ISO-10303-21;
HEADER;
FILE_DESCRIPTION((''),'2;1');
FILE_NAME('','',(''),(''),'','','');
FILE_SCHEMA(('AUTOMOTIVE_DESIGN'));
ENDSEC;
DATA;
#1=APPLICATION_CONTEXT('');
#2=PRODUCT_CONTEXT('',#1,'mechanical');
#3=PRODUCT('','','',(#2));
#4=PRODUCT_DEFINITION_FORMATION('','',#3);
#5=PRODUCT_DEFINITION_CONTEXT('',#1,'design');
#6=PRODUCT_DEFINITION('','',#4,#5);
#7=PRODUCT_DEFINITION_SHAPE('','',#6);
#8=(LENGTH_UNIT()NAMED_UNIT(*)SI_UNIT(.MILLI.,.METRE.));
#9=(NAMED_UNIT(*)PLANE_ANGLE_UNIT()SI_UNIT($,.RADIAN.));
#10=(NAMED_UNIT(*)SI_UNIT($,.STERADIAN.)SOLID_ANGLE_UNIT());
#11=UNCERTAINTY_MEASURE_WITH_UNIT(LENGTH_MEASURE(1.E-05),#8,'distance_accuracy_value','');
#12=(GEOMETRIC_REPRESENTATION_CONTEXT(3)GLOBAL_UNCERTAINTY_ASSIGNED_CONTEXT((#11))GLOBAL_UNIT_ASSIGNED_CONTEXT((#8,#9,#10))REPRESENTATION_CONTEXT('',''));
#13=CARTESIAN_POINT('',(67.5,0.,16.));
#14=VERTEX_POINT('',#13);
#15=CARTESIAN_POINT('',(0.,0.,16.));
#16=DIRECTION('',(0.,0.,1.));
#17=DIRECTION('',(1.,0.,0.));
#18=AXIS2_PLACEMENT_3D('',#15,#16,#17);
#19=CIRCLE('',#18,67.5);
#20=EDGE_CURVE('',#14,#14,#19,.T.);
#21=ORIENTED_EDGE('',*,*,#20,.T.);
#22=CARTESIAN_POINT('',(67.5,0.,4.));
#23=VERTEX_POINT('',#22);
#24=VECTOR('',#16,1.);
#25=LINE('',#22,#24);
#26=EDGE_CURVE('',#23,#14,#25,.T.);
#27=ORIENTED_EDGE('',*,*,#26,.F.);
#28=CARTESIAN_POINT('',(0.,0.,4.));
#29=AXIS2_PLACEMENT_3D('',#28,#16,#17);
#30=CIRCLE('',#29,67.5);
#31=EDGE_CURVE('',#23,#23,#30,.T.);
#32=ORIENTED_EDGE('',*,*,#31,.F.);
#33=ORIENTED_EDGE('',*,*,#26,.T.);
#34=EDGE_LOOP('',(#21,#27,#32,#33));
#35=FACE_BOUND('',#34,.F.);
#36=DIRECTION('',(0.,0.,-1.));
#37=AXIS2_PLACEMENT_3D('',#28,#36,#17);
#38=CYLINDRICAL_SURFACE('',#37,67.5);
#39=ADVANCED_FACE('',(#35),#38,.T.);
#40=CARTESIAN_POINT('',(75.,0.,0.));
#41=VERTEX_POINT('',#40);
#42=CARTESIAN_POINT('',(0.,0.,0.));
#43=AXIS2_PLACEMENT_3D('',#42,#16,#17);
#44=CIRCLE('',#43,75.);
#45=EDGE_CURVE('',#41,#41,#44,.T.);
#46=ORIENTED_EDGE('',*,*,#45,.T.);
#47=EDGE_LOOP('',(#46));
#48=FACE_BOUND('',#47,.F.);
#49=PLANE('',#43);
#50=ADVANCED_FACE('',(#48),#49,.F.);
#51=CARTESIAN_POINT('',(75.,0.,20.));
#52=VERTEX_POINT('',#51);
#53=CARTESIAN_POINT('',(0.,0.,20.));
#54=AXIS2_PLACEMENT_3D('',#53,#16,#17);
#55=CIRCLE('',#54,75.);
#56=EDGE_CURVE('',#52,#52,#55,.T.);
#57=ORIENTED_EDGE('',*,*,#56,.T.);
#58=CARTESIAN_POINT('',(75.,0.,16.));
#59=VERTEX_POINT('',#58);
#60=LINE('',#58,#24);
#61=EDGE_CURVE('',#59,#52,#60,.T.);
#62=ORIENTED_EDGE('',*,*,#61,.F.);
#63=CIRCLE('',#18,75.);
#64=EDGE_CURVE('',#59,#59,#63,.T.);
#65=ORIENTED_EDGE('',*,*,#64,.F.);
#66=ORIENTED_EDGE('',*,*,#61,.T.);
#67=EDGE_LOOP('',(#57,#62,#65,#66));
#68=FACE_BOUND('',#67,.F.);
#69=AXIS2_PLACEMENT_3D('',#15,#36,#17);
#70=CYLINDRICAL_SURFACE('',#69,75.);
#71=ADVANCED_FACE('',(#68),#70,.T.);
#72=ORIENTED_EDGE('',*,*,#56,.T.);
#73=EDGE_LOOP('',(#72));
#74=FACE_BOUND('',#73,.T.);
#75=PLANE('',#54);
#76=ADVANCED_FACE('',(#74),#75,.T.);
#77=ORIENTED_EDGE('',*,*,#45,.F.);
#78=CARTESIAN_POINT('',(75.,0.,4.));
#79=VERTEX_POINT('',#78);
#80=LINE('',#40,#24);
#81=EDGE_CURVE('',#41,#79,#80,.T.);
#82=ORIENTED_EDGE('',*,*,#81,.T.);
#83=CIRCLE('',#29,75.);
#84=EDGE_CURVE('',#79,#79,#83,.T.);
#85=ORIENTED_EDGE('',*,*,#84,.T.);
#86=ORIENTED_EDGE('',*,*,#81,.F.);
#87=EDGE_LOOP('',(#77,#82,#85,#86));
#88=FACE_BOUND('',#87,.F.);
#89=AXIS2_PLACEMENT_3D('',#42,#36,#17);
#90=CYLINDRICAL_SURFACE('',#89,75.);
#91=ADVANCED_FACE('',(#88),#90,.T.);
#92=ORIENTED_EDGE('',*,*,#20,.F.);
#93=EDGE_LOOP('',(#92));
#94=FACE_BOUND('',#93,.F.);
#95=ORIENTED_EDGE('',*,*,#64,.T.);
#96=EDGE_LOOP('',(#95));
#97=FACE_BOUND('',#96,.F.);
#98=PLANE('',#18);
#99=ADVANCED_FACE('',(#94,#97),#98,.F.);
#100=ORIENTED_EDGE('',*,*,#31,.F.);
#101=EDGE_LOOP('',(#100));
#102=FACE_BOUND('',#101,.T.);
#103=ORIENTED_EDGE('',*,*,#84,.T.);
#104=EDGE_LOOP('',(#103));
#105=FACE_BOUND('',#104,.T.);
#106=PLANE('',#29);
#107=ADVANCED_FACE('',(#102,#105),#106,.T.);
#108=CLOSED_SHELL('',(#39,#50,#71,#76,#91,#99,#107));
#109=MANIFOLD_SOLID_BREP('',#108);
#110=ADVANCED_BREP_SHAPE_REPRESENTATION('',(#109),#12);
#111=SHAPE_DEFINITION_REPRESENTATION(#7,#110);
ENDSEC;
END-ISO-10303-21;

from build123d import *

# Parameters (mm, degrees)
F2_R     = 75
F3_DEPTH = 4
F5_R     = 67.5
F6_DEPTH = 12
F8_R     = 75
F9_DEPTH = 4


with BuildPart() as f3:
    # F2 (on Top) → F3 (new body)
    with BuildSketch(Plane.XY):
        Circle(F2_R)
    extrude(amount=F3_DEPTH)

    # F5 (on offset) → F6 (join)
    with BuildSketch(Plane.XY.offset(4)):
        Circle(F5_R)
    extrude(amount=F6_DEPTH)

    # F8 (on offset) → F9 (join)
    with BuildSketch(Plane.XY.offset(16)):
        Circle(F8_R)
    extrude(amount=F9_DEPTH)


with BuildPart() as f10_1:
    # F10: copy of F3
    add(f3.part.moved(Location((0, 0, 20))))


with BuildPart() as f12_1:
    # F12: copy of F3
    add(f3.part)


solid = f3.part
